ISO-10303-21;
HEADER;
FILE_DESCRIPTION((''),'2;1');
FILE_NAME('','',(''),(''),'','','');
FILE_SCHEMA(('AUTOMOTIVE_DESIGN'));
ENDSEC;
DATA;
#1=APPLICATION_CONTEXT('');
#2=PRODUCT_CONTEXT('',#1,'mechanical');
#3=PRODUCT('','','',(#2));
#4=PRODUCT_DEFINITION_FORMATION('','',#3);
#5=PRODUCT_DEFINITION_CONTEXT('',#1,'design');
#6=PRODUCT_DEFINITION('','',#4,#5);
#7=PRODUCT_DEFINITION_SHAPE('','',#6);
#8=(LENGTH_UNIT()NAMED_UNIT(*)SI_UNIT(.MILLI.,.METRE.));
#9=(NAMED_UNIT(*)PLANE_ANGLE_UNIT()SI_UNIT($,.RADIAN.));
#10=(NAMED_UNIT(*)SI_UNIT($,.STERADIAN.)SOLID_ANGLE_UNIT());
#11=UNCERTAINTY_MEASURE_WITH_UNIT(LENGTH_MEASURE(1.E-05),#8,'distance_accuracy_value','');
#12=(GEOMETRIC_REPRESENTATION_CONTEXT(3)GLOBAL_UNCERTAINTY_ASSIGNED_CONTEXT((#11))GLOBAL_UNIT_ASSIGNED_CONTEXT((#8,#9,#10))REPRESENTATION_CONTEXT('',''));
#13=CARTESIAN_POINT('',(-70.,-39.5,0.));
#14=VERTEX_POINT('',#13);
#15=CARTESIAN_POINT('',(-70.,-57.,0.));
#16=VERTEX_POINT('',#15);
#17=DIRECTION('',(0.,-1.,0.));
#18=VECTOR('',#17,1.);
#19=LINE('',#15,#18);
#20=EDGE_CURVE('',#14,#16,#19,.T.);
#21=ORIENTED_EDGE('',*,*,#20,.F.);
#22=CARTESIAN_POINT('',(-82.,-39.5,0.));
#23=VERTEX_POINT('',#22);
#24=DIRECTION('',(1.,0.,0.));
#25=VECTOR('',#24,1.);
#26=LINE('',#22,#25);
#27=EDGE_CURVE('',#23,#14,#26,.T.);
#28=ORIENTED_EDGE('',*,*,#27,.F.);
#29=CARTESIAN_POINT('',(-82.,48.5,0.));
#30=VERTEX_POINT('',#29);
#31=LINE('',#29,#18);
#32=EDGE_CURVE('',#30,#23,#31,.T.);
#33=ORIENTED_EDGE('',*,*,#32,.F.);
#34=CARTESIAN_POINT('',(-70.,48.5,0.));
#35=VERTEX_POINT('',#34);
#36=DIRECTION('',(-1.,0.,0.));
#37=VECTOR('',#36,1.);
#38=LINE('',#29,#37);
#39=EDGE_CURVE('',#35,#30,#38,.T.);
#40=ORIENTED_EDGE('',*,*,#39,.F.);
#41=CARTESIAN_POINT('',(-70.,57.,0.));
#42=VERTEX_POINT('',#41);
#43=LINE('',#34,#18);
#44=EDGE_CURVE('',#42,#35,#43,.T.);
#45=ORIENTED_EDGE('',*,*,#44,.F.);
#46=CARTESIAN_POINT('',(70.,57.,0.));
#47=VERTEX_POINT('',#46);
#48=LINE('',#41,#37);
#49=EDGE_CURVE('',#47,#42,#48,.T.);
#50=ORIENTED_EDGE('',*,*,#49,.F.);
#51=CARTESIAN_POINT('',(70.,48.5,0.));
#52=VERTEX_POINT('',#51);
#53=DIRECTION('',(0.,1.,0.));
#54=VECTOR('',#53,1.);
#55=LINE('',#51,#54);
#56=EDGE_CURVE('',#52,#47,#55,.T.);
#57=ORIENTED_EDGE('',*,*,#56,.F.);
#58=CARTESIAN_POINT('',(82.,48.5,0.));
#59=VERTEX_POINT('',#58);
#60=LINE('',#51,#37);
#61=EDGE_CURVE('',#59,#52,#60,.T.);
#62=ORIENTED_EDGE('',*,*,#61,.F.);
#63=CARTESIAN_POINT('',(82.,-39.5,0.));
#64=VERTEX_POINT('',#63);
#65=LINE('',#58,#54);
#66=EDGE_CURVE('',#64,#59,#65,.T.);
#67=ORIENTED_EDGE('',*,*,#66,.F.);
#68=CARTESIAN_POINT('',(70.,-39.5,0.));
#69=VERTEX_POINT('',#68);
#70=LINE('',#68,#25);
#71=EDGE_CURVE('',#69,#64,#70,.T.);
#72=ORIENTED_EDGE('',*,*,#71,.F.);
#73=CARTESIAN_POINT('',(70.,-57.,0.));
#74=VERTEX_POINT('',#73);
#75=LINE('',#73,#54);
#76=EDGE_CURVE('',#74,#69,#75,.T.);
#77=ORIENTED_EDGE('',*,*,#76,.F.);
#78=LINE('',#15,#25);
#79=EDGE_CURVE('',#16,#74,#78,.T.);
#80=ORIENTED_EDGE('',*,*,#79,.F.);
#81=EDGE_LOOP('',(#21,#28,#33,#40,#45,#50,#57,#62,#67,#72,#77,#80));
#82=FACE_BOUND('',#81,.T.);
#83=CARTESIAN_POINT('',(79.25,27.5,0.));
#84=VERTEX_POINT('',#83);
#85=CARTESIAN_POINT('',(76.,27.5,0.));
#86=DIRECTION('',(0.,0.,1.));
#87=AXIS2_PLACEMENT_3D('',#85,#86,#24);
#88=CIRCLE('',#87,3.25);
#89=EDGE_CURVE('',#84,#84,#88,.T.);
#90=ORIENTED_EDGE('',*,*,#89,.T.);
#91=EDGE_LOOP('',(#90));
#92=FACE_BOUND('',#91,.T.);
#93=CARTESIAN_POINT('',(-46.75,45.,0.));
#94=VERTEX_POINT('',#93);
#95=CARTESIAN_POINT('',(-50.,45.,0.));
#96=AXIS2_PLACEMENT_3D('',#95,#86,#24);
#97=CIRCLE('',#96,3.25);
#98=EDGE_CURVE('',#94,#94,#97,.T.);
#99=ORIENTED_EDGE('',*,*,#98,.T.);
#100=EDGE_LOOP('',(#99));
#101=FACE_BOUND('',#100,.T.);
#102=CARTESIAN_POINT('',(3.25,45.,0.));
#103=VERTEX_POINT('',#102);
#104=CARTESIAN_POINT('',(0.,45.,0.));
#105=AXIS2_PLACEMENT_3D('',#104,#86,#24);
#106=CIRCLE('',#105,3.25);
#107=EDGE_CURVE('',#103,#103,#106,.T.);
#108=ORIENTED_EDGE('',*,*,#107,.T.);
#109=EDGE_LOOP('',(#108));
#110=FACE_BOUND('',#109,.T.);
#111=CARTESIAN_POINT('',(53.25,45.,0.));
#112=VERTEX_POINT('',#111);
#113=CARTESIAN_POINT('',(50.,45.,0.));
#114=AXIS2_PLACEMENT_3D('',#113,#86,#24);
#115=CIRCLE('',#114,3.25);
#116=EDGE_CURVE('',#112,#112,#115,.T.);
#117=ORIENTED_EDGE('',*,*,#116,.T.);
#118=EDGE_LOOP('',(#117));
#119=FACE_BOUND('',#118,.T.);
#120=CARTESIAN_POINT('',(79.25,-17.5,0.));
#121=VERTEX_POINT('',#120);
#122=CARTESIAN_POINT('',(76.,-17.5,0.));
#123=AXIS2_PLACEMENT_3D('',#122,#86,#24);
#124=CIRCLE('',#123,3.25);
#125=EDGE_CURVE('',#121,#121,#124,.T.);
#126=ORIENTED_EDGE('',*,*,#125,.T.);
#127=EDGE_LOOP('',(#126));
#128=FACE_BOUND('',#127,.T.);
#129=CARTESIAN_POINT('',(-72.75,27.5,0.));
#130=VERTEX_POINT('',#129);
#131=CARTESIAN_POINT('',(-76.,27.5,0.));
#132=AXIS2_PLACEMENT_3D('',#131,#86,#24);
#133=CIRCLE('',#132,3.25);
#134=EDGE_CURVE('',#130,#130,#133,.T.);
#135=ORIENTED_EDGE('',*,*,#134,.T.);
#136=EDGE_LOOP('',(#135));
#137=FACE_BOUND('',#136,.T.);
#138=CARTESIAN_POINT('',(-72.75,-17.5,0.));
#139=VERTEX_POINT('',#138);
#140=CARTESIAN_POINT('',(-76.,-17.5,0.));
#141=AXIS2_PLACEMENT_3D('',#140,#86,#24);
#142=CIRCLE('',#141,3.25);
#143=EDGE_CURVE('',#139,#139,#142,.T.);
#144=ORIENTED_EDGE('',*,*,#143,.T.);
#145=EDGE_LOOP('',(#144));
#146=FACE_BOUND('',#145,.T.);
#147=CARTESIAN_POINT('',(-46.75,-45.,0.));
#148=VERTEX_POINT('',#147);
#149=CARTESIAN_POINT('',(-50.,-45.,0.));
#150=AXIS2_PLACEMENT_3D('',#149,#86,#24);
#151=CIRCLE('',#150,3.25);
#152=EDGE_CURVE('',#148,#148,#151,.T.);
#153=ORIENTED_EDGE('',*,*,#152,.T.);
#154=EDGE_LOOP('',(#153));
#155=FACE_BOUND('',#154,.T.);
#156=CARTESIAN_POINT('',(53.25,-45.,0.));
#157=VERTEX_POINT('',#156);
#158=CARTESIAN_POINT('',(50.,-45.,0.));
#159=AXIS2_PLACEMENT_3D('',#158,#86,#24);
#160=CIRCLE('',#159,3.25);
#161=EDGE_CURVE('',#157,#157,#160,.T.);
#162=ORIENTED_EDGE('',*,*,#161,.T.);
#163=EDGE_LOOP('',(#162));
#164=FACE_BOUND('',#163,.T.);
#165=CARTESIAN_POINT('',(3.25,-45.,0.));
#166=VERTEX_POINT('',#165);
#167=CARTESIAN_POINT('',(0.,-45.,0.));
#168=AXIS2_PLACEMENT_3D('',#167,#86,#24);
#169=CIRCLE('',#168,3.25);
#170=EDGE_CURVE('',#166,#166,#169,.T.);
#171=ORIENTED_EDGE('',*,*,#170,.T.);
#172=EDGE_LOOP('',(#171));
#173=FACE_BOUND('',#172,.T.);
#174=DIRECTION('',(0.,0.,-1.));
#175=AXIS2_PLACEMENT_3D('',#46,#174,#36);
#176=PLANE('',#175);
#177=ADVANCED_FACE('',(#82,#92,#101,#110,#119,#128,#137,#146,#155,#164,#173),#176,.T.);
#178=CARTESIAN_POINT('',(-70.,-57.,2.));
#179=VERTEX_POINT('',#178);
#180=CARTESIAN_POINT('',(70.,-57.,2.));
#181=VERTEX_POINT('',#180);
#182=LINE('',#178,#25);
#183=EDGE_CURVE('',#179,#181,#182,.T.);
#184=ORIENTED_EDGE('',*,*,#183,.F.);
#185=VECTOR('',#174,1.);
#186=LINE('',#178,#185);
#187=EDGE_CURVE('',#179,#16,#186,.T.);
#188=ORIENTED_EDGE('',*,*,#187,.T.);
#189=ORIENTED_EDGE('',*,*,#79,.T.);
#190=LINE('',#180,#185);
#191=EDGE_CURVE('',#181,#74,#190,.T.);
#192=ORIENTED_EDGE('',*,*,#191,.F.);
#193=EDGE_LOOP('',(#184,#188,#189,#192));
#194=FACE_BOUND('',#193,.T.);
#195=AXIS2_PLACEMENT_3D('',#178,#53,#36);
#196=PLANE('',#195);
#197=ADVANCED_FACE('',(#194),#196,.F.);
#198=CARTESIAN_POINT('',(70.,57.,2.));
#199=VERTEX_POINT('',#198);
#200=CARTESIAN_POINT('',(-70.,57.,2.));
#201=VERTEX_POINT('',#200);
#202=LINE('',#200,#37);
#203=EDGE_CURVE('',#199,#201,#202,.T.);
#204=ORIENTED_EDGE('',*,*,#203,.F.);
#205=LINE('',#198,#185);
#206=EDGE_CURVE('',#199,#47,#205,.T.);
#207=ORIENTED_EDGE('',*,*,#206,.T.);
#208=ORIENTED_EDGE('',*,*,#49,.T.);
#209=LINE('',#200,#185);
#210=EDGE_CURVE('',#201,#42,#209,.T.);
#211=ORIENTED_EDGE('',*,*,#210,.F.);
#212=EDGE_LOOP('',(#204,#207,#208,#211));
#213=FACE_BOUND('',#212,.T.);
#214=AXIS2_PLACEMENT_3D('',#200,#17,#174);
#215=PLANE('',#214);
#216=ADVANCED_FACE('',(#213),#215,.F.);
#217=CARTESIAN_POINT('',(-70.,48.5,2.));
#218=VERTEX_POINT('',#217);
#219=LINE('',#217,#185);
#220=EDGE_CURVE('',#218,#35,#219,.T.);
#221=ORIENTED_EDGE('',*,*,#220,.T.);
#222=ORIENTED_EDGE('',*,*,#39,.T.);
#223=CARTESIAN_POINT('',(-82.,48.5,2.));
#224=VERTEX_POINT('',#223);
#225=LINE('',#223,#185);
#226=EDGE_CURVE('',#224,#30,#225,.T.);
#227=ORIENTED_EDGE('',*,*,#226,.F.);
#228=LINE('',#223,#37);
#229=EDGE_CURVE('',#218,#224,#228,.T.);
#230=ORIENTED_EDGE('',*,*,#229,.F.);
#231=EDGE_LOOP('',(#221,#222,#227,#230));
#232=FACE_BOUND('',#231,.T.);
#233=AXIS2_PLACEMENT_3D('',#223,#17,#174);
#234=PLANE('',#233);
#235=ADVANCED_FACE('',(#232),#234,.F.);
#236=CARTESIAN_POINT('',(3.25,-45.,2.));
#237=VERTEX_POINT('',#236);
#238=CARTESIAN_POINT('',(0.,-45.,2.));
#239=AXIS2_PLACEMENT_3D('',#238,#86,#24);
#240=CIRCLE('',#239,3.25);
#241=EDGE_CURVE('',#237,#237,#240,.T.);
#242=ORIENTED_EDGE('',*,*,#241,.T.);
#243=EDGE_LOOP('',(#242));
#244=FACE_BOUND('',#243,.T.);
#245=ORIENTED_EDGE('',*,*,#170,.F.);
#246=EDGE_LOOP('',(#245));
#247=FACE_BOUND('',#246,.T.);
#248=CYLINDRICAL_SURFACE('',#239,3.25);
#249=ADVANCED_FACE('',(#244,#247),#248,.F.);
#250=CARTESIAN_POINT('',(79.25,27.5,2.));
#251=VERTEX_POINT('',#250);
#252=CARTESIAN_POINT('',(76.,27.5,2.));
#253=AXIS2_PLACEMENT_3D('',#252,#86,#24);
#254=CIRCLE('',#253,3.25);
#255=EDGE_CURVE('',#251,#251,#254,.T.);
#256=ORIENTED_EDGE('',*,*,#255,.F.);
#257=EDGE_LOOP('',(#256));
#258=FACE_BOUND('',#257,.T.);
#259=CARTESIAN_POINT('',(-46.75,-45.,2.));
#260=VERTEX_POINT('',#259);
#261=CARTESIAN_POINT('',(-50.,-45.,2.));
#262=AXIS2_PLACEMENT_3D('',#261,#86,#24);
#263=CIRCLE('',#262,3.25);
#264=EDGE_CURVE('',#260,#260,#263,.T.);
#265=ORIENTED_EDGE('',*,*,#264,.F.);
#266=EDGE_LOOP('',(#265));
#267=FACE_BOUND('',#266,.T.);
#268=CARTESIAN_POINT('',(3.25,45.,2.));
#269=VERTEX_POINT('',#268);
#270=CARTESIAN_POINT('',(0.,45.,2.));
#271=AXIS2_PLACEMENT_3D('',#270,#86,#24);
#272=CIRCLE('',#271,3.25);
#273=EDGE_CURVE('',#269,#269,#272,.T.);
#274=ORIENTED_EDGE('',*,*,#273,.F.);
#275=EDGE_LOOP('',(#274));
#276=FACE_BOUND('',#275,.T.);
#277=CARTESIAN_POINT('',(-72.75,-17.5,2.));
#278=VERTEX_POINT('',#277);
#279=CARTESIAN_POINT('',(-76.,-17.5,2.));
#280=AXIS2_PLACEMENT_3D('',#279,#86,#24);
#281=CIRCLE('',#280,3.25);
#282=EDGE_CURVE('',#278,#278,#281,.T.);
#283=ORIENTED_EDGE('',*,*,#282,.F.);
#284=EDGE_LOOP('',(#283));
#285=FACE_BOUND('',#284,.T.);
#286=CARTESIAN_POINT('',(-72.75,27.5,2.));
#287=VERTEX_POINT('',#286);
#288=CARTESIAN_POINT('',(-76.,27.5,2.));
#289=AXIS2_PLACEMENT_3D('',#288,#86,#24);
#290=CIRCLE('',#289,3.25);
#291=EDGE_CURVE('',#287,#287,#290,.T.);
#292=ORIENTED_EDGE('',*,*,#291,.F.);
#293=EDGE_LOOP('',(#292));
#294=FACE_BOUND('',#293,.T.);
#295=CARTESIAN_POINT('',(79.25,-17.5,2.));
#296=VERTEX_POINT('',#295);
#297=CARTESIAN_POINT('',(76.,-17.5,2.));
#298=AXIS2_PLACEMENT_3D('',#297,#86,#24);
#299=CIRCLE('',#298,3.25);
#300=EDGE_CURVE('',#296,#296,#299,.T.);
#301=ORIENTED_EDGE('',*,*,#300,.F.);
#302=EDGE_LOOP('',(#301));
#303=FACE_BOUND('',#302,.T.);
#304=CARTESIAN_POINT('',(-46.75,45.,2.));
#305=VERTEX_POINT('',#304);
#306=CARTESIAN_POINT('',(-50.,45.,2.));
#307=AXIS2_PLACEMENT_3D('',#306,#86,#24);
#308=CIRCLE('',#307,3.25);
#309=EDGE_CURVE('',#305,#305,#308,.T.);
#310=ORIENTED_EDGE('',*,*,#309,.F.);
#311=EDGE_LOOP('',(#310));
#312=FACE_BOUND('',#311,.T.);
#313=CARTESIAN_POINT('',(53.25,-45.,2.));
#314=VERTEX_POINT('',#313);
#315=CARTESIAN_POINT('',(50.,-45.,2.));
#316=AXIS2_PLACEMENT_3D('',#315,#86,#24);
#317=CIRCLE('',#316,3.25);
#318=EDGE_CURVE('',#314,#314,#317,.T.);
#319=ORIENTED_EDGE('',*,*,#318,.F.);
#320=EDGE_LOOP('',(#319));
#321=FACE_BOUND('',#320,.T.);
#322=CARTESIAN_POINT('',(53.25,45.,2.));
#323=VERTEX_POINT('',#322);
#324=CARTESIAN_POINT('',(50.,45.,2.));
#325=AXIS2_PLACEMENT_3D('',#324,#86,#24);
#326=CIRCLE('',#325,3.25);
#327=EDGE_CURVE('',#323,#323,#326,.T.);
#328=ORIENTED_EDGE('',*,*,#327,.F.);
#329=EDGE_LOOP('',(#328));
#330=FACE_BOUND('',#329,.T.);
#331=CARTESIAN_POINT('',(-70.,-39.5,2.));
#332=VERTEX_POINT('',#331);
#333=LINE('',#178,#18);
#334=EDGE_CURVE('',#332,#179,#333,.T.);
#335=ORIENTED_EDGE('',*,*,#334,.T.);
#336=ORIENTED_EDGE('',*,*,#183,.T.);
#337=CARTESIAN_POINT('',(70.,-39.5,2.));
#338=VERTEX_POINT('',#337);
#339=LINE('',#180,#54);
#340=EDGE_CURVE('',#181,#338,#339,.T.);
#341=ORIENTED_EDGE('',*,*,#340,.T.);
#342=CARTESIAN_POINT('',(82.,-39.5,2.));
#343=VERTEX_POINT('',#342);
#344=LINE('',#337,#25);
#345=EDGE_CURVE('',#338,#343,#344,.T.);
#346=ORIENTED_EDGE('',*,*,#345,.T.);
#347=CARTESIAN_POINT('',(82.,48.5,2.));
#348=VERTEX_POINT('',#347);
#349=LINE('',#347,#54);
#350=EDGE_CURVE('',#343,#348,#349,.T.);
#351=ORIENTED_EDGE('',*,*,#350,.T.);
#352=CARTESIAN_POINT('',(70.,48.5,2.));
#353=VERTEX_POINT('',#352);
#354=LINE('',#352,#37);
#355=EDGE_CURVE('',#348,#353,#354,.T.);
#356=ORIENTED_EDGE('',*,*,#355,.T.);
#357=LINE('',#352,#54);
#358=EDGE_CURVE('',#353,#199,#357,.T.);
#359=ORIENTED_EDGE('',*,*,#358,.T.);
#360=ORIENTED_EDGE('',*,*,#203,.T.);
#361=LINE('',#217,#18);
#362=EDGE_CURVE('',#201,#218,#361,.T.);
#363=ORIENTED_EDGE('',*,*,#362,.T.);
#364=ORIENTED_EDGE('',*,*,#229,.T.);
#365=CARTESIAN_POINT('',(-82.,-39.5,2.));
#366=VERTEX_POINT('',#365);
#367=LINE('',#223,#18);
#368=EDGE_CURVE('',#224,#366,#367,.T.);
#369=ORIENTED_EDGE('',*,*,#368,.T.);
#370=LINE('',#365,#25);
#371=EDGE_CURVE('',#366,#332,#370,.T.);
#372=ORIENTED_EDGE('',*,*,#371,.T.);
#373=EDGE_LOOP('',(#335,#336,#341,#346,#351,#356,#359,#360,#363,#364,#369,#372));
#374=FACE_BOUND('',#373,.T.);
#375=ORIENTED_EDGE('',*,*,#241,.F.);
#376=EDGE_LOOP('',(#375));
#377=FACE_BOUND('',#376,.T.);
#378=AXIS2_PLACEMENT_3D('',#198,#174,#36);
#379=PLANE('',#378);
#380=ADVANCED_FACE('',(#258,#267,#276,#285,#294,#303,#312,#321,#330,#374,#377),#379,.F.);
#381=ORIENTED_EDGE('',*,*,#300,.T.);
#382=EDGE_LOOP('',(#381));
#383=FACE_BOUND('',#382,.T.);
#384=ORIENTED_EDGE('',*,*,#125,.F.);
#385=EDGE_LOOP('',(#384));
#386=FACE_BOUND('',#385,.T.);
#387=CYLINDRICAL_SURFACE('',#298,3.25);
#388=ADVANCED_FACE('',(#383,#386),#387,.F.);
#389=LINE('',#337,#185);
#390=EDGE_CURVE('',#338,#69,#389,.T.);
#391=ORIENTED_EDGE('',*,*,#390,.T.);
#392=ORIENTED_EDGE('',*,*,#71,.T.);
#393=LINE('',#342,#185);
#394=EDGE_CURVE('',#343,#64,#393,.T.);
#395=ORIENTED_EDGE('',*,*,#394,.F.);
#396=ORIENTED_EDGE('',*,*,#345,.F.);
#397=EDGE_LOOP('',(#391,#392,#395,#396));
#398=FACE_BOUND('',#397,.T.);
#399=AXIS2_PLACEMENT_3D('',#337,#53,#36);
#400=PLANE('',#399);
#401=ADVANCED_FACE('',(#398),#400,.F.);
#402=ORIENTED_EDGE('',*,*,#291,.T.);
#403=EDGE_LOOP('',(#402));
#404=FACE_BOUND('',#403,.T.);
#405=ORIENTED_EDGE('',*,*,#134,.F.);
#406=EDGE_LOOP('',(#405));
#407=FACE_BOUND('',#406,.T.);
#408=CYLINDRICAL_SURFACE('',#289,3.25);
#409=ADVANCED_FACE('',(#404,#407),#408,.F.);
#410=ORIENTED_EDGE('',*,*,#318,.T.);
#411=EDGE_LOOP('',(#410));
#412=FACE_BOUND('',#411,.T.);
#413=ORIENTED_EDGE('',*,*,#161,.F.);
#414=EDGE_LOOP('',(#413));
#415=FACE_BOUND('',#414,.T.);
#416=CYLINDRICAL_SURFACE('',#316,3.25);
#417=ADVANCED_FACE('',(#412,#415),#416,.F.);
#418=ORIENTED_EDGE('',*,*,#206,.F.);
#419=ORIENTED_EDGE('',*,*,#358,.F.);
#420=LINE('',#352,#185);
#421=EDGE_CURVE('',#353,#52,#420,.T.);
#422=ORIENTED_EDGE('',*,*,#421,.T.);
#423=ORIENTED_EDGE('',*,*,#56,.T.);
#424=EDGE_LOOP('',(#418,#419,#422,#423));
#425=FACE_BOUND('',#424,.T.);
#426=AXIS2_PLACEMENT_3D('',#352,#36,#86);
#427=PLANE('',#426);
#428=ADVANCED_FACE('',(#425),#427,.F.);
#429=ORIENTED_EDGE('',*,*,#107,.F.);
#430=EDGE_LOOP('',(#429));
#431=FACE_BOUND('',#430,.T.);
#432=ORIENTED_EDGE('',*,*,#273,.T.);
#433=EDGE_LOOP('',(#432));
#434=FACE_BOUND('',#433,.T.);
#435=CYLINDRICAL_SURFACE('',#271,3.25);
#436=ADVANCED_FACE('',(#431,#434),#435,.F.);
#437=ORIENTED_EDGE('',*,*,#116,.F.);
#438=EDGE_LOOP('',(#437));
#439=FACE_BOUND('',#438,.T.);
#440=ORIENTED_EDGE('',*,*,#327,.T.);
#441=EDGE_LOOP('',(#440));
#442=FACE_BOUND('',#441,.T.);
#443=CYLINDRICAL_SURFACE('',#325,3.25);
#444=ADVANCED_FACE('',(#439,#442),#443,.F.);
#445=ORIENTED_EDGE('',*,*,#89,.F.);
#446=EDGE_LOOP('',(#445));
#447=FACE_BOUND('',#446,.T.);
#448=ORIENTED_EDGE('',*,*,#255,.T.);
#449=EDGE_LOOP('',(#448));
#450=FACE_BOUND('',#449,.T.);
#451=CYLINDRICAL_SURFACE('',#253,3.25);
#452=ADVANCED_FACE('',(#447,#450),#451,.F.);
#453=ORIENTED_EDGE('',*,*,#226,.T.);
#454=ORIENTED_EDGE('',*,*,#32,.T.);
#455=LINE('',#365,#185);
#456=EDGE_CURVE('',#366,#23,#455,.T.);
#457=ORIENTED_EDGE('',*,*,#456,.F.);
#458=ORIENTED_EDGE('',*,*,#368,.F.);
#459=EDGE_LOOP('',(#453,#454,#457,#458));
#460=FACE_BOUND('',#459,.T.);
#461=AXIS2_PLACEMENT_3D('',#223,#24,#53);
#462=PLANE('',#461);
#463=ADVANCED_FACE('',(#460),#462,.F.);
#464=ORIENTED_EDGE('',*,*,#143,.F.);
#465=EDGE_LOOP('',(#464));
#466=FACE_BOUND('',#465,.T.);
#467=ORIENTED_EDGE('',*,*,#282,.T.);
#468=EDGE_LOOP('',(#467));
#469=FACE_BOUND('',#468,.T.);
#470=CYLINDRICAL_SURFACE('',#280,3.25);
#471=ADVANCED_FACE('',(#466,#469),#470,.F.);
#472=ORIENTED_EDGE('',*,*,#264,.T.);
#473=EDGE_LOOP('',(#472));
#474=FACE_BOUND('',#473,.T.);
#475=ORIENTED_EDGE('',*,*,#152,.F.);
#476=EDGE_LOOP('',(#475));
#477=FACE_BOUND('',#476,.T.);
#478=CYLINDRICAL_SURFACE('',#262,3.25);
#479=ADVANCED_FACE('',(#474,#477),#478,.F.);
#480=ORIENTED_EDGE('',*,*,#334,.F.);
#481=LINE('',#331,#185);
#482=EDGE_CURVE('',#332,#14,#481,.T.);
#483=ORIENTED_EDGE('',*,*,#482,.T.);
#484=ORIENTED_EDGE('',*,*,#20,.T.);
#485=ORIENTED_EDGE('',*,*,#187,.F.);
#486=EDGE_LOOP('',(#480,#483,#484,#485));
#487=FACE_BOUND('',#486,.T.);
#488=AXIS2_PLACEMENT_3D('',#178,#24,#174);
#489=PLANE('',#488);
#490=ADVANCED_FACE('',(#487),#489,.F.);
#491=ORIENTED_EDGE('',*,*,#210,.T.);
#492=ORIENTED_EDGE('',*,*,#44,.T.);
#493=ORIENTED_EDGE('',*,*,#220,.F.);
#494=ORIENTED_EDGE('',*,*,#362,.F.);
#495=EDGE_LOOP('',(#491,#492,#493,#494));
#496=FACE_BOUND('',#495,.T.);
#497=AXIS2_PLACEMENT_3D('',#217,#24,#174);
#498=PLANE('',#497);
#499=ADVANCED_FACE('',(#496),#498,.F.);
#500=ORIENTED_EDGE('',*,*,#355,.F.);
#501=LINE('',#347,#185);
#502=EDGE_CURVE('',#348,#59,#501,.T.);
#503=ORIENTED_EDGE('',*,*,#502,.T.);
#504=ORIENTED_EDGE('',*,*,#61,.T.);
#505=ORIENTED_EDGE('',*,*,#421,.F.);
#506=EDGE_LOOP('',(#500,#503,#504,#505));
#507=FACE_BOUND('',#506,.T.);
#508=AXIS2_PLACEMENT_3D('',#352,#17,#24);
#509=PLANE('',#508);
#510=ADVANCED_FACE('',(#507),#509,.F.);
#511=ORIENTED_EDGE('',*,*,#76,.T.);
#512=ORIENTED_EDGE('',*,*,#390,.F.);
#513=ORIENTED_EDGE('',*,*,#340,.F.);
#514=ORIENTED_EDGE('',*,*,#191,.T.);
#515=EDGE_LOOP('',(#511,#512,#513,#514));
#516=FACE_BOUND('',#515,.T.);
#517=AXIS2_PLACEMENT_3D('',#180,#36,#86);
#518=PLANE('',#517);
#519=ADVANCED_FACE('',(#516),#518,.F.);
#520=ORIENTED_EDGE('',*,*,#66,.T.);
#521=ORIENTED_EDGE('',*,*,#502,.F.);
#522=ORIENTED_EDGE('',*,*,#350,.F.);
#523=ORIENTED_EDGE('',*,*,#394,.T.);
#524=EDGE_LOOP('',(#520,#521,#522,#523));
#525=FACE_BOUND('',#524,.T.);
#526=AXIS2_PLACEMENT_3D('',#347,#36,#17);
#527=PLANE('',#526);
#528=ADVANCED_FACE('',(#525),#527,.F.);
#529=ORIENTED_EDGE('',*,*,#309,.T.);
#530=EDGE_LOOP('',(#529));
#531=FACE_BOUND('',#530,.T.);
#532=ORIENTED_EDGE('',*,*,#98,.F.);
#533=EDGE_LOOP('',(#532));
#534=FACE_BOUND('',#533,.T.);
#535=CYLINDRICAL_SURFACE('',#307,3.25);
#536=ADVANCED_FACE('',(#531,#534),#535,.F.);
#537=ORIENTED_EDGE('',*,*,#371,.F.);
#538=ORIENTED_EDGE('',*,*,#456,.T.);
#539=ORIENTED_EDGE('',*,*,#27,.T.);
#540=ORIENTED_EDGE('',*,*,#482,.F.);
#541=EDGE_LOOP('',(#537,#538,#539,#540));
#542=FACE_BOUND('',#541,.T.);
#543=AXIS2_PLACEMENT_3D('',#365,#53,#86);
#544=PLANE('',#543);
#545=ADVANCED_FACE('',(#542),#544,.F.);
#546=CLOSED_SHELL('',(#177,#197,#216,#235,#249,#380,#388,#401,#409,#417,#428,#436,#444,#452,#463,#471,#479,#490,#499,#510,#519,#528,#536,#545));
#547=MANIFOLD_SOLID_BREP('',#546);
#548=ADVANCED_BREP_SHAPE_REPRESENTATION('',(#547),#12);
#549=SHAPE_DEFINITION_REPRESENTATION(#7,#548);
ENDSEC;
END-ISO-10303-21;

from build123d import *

# Parameters (mm, degrees)
EXTRUDE_1_DEPTH   = 2
HOLE_WIZARD_M61_D = 6.5


with BuildPart() as part:
    # Эскиз1 → Вытянуть1 (new body)
    with BuildSketch(Plane.XY):
        Polygon((-70, 48.5), (-70, 57), (70, 57), (70, 48.5), (82, 48.5), (82, -39.5), (70, -39.5), (70, -57), (-70, -57), (-70, -39.5), (-82, -39.5), (-82, 48.5), align=None)
    extrude(amount=EXTRUDE_1_DEPTH)

    # Отверстие с зазором M61 (through all)
    with Locations(Plane(origin=(-76, 27.5, 2), x_dir=(1, 0, 0), z_dir=(0, 0, 1))):
        with Locations((0, 0), (0, -45), (26, -72.5), (76, -72.5), (126, -72.5), (126, 17.5), (76, 17.5), (26, 17.5), (152, 0), (152, -45)):
            Hole(HOLE_WIZARD_M61_D / 2)


solid = part.part
